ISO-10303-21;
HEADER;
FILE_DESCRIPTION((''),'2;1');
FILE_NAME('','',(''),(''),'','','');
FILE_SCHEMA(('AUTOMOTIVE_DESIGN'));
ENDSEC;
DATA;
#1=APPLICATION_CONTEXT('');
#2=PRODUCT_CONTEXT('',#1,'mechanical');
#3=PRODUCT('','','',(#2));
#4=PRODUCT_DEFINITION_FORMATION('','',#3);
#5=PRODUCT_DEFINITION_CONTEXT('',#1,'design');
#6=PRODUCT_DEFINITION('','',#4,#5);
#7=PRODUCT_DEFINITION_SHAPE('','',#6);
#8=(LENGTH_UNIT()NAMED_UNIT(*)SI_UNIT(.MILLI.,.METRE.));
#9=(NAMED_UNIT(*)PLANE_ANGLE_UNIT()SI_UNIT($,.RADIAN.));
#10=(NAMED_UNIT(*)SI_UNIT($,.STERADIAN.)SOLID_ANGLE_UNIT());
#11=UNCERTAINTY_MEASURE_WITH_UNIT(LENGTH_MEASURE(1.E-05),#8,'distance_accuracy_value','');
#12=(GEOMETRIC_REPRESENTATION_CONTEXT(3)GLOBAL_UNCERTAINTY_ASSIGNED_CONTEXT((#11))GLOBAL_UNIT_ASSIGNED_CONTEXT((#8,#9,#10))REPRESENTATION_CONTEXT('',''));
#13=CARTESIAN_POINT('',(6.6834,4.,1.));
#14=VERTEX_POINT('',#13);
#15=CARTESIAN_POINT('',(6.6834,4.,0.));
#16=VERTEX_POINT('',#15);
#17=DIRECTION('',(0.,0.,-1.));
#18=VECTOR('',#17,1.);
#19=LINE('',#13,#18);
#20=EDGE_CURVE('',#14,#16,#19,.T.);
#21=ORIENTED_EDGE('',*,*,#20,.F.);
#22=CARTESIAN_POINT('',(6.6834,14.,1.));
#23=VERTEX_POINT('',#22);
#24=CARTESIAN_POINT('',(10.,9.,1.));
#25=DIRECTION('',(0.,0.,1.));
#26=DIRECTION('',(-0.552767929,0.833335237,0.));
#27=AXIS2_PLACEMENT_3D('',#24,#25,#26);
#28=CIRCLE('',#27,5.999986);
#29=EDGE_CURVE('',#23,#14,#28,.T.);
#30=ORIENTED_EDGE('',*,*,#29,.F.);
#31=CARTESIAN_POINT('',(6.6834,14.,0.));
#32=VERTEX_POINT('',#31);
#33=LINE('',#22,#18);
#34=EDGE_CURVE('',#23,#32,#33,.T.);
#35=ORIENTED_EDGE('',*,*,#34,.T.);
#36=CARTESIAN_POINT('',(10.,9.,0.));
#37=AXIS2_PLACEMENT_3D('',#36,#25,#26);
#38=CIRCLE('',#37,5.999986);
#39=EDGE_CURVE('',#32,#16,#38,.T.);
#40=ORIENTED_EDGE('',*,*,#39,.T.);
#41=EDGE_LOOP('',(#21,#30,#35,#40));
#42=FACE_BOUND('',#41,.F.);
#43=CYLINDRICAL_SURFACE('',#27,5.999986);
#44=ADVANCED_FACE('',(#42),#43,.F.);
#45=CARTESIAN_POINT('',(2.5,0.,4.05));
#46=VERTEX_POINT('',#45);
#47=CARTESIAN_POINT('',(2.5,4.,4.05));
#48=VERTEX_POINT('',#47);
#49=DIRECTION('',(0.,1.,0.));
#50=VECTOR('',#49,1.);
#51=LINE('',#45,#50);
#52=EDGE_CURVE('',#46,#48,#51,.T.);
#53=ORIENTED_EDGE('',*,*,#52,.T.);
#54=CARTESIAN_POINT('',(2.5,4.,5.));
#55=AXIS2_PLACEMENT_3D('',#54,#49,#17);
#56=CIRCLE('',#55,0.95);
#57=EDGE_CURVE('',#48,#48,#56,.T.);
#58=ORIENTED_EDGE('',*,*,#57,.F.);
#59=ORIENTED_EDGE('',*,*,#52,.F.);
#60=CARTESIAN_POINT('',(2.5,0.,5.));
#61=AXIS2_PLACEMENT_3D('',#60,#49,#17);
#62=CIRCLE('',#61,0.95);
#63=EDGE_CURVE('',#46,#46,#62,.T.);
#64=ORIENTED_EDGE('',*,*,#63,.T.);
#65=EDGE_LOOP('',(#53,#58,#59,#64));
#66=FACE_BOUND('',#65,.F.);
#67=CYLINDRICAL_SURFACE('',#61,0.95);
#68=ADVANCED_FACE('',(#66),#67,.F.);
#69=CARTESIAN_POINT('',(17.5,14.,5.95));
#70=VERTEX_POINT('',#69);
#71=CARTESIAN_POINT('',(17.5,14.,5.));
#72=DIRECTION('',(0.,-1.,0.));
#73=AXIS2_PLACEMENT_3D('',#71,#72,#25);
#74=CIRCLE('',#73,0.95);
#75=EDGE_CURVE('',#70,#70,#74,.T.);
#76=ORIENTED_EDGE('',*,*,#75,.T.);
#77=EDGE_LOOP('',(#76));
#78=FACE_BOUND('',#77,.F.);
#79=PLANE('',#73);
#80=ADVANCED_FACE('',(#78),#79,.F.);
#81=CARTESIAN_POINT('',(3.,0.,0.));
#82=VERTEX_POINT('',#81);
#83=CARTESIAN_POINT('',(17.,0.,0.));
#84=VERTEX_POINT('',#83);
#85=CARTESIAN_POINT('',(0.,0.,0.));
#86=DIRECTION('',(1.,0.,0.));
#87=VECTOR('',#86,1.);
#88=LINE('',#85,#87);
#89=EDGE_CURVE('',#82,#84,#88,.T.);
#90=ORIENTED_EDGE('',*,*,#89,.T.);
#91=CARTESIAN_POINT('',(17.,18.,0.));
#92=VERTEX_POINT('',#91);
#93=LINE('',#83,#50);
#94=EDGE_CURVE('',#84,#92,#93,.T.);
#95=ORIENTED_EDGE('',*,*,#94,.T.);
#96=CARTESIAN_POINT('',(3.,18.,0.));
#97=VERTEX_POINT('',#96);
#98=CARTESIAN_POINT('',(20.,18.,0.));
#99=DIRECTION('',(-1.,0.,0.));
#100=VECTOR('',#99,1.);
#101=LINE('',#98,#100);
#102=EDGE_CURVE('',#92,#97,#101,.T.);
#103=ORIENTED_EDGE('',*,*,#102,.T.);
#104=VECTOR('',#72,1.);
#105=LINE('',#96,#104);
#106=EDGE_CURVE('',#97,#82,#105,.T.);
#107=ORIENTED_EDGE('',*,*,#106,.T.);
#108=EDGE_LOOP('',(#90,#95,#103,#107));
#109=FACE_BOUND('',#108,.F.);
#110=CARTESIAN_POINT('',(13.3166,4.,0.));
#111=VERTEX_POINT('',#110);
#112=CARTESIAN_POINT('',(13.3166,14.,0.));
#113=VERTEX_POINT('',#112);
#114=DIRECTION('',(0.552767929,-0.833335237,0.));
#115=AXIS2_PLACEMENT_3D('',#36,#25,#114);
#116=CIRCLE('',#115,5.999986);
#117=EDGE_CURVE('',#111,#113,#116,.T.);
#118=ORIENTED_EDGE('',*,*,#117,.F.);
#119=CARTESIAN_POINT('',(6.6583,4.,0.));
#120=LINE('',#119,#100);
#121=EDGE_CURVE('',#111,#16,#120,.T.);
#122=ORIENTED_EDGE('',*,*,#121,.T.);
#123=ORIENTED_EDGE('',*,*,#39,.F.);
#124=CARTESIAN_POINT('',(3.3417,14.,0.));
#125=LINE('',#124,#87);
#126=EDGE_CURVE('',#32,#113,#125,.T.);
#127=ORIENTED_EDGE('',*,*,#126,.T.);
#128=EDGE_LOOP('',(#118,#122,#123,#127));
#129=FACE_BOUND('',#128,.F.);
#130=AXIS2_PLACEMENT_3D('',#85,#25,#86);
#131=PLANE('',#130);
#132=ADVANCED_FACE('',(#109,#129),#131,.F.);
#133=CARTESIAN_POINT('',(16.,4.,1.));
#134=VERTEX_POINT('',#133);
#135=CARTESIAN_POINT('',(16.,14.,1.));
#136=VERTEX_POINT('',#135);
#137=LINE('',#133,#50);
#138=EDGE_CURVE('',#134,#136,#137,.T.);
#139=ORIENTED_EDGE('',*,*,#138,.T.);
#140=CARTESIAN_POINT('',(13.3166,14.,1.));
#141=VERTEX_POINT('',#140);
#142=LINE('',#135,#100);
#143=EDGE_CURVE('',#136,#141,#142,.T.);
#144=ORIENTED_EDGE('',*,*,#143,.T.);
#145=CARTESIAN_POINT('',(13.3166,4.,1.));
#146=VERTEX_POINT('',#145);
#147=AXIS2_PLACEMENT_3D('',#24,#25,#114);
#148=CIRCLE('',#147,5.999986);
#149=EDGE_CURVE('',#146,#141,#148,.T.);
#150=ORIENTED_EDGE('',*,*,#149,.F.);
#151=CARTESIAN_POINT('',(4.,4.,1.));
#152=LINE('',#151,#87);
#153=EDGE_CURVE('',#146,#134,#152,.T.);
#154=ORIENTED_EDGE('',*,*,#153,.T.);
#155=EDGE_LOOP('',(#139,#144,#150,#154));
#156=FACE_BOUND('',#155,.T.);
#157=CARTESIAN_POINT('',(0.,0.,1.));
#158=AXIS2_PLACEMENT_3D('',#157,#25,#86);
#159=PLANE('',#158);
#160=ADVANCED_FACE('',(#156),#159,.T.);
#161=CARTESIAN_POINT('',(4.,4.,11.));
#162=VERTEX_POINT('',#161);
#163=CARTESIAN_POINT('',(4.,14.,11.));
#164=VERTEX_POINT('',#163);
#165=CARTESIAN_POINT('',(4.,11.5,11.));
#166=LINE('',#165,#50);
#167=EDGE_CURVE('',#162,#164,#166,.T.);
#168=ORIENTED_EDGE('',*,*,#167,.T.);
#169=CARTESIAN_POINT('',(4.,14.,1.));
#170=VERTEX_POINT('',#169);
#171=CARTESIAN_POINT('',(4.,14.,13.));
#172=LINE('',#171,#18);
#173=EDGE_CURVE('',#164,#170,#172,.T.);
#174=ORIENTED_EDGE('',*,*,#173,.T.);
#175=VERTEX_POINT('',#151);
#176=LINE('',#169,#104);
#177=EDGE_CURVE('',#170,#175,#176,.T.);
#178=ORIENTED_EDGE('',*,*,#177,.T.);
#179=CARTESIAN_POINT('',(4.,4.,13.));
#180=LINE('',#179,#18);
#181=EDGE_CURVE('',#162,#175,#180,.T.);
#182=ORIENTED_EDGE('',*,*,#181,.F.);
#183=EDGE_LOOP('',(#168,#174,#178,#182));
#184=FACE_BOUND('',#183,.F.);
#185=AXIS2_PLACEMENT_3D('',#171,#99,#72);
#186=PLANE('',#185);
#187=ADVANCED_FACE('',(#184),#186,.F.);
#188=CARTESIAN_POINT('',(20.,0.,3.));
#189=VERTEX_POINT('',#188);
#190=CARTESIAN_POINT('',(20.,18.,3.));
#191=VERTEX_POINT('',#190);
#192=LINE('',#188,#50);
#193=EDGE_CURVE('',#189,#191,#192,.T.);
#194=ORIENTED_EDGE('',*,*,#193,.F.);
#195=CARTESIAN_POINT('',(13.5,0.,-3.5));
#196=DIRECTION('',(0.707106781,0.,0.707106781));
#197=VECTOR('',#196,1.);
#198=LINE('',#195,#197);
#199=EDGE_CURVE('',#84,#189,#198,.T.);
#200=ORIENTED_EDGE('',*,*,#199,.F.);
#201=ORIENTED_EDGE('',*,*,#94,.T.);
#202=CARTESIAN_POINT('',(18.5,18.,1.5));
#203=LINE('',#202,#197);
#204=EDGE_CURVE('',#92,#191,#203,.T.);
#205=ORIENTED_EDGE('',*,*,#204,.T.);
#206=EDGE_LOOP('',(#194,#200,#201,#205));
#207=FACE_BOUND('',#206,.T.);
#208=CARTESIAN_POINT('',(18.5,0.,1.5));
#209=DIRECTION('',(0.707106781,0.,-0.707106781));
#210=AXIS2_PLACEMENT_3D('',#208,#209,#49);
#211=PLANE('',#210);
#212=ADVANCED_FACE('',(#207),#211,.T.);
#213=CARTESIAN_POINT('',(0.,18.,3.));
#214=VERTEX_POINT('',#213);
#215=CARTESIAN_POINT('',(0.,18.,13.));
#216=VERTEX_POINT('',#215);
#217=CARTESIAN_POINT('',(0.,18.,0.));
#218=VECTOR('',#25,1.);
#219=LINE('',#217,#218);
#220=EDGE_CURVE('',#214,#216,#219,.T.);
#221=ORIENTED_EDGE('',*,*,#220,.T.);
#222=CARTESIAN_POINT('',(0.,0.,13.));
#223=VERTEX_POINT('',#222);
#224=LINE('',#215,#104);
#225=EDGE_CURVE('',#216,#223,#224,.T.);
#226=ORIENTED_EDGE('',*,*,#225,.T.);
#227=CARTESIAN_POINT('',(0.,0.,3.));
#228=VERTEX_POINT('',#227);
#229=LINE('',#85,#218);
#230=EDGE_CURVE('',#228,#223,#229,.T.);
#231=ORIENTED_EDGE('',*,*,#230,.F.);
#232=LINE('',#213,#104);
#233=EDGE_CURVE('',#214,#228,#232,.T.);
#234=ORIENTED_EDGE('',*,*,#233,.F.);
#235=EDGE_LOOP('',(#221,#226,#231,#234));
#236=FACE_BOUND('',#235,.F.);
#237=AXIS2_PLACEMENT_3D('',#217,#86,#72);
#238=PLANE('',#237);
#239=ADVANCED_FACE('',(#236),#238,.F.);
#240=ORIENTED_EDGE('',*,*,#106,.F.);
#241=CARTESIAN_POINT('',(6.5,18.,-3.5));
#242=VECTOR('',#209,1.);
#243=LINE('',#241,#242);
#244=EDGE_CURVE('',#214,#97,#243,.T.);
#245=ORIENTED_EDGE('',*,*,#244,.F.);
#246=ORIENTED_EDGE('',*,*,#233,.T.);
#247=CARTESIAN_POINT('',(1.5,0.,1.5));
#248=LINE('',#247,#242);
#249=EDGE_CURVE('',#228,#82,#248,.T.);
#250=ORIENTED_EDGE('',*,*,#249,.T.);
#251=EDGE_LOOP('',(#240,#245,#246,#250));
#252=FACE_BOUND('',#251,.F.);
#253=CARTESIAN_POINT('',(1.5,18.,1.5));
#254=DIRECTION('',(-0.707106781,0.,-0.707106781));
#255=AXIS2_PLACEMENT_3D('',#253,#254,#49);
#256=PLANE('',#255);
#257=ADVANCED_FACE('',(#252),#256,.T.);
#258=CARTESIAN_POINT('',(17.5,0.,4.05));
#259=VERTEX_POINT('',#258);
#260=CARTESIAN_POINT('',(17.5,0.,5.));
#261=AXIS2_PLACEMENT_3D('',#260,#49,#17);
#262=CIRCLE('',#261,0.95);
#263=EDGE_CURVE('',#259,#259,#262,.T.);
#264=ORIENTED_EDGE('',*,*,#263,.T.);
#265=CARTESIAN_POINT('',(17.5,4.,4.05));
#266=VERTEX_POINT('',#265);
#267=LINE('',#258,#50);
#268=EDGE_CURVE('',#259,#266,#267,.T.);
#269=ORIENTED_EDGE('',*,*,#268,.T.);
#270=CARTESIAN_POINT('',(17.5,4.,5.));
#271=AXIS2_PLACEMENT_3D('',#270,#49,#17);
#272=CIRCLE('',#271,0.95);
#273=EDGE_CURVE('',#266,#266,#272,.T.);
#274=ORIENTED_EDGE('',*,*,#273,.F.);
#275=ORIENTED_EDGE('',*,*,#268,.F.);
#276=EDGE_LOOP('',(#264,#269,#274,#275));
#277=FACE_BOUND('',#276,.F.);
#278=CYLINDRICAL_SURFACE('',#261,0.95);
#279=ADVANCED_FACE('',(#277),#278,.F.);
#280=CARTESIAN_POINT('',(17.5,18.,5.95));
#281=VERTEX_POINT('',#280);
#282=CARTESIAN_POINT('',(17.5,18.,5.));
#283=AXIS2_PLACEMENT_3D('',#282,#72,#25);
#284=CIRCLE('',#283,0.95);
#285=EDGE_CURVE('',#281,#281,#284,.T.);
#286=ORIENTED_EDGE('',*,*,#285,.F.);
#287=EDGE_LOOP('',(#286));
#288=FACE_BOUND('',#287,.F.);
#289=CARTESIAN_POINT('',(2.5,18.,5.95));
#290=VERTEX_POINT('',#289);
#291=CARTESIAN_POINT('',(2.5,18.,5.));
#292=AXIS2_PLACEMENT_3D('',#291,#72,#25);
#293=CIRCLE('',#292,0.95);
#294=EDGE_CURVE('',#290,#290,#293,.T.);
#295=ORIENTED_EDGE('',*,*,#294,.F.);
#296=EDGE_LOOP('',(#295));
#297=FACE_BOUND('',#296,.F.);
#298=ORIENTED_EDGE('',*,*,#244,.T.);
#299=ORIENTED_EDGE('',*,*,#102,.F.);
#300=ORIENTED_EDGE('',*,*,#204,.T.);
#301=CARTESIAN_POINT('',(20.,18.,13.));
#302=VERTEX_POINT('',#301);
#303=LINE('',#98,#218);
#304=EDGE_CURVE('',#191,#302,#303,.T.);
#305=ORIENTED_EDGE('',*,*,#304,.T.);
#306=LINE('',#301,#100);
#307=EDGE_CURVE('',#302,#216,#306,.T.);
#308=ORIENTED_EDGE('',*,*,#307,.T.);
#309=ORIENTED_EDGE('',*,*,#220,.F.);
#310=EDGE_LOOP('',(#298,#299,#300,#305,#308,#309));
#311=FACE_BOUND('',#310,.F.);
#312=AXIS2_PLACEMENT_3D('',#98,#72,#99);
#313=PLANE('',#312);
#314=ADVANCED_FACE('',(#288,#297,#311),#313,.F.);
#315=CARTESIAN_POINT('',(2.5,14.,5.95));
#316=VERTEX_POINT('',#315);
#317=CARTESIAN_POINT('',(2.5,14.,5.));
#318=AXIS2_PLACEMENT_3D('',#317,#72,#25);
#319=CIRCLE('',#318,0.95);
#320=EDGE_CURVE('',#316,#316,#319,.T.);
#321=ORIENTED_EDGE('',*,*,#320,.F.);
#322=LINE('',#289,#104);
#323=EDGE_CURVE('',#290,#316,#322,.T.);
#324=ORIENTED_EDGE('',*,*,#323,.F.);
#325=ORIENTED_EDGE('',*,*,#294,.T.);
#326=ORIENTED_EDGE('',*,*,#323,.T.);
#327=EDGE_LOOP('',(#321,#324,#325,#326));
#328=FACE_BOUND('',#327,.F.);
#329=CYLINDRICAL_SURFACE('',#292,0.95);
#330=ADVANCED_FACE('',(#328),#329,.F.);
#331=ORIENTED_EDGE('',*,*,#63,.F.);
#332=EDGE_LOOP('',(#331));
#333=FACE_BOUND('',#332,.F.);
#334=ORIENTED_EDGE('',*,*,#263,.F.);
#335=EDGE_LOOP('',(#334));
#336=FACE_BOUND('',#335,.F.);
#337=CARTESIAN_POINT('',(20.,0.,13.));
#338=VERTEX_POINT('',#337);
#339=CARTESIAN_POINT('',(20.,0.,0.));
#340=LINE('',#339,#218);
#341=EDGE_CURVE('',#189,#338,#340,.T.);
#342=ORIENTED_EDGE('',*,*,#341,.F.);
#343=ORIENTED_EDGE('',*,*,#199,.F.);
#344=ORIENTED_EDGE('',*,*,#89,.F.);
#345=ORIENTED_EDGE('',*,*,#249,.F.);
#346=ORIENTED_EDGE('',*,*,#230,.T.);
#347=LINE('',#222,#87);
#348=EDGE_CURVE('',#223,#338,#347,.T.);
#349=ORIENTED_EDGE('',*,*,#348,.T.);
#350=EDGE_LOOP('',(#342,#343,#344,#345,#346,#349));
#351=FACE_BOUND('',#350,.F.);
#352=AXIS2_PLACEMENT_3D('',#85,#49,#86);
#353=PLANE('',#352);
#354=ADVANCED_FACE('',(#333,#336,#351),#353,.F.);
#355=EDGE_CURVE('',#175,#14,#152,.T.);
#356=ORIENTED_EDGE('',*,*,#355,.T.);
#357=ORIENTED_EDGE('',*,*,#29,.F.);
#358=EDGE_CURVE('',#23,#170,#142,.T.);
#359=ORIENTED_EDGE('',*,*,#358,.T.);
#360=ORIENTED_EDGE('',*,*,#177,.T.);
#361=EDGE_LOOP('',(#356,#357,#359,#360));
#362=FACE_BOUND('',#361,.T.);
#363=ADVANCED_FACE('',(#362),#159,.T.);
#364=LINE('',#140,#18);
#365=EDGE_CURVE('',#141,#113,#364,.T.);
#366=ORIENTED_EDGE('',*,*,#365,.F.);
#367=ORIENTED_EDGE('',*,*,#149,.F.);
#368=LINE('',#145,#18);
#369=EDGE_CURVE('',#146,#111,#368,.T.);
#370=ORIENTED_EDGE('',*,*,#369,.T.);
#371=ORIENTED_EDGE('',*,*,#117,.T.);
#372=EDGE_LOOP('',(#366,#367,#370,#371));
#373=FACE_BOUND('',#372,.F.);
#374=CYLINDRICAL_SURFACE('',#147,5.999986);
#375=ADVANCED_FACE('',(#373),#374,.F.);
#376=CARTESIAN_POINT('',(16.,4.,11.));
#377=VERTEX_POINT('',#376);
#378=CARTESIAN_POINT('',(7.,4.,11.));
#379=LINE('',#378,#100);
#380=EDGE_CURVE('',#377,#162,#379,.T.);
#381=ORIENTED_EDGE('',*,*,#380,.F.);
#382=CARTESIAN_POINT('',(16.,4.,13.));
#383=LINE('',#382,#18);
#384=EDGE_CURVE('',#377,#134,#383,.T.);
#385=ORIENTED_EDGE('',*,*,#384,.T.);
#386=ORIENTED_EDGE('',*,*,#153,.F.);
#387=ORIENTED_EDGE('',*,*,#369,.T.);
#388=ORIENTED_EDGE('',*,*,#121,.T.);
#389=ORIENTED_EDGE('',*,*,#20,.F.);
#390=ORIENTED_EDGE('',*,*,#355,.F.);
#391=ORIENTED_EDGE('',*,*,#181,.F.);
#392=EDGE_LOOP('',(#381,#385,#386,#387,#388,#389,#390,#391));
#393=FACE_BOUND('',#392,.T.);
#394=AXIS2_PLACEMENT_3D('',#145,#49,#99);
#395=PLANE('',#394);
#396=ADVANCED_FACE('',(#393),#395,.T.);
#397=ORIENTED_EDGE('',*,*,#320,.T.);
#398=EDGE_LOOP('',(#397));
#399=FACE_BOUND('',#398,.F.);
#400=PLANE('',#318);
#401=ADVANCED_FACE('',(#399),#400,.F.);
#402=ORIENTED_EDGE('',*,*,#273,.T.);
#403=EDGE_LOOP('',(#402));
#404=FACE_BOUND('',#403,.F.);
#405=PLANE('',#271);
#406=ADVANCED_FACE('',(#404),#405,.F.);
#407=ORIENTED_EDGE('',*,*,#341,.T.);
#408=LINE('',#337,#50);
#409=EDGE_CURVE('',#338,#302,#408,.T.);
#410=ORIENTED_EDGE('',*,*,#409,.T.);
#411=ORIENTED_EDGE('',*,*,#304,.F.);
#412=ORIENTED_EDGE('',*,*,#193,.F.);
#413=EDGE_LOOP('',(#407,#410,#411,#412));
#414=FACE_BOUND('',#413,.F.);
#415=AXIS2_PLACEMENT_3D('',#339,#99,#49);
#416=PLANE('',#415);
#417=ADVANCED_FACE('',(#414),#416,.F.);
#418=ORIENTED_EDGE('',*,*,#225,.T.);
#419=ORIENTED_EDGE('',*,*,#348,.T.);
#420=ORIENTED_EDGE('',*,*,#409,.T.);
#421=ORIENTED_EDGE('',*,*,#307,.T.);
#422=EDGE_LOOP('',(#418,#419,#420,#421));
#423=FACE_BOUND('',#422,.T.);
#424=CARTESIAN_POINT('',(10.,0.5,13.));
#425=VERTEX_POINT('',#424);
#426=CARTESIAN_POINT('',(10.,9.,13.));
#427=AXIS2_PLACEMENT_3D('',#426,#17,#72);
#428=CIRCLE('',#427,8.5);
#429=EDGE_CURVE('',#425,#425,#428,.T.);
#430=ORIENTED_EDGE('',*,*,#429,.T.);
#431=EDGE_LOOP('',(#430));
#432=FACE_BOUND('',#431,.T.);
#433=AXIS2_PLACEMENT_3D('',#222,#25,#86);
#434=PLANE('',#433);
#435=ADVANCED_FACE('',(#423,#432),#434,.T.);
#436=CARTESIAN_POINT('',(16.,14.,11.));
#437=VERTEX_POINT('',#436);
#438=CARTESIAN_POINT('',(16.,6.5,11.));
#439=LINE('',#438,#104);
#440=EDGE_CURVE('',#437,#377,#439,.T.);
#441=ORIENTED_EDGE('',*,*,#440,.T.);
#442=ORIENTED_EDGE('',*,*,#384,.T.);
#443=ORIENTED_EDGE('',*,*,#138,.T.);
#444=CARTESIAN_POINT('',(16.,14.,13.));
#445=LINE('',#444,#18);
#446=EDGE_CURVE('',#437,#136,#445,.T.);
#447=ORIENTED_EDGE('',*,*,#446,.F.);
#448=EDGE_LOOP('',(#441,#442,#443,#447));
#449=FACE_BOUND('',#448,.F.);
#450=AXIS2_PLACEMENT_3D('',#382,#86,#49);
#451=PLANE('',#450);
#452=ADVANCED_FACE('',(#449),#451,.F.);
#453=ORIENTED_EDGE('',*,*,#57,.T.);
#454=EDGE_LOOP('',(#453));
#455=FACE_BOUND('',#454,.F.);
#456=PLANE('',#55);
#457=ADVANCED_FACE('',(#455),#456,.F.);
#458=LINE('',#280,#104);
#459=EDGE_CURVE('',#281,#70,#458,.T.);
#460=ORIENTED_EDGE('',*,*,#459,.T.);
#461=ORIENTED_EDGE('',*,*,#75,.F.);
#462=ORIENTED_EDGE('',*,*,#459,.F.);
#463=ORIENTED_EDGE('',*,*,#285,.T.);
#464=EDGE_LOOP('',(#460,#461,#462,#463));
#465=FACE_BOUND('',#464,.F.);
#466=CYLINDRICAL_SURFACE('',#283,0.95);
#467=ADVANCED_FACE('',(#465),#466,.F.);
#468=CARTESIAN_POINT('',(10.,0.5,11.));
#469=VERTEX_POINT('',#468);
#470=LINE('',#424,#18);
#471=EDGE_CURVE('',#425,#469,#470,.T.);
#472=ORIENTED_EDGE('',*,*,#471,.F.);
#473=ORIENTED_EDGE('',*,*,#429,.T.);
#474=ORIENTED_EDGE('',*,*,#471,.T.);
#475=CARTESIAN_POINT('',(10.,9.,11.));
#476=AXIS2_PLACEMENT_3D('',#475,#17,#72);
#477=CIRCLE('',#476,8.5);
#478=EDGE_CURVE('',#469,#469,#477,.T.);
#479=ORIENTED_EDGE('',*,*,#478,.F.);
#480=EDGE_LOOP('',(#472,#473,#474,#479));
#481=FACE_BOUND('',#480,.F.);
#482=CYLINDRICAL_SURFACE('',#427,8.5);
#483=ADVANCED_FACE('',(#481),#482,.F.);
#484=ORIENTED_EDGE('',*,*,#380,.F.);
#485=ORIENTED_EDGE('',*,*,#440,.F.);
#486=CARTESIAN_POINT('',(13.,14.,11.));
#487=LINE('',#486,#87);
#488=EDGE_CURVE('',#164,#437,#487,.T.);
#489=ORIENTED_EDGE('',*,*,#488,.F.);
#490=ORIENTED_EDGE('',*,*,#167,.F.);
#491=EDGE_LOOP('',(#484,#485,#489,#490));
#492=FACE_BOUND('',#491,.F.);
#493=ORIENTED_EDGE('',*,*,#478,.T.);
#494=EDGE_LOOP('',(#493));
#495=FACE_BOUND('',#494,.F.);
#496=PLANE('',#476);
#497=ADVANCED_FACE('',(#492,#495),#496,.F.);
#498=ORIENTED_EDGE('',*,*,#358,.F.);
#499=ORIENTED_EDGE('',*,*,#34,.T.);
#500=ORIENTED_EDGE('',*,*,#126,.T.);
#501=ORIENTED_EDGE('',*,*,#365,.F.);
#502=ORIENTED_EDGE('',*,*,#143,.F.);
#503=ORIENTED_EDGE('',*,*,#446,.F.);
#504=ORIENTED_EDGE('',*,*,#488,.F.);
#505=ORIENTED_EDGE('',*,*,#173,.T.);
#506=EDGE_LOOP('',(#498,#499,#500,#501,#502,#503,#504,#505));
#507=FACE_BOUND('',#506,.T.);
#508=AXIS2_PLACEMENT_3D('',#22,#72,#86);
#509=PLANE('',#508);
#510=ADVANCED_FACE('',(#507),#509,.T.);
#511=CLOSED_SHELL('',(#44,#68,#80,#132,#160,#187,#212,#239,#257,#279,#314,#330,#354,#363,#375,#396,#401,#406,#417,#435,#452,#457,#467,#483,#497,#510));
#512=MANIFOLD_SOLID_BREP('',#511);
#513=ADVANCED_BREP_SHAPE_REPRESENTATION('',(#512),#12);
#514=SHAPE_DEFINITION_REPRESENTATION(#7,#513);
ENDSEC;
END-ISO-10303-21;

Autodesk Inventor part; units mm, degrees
ref_plane "YZ Plane" through (0, 0, 0) normal (1, 0, 0) x (0, 1, 0)
ref_plane "XZ Plane" through (0, 0, 0) normal (0, 1, 0) x (-1, 0, 0)
ref_plane "XY Plane" through (0, 0, 0) normal (0, 0, 1) x (1, 0, 0)
sketch "Sketch1" plane through (0, 0, 0) normal (0, 0, 1) x (1, 0, 0)
  line L0 (0, 0) -> (20, 0)
  line L1 (20, 0) -> (20, 18)
  line L2 (20, 18) -> (0, 18)
  line L3 (0, 18) -> (0, 0)
  dimension "d0" = 20
  dimension "d1" = 18
extrude "body" add sketch "Sketch1" along normal blind 13
sketch "Sketch2" plane through (0, 18, 0) normal (0, 1, 0) x (1, 0, 0)
  line L0 (20, 0) -> (0, 0) projected
  point P0 (2.5, -5)
  point P1 (17.5, -5)
  dimension "d4" = 2.5
  dimension "d5" = 2.5
  dimension "d6" = 5
  dimension "d7" = 5
hole "top mount" at (2.5, 18, 5) at (17.5, 18, 5) direction (0, -1, 0) diameter 1.9 depth 4
sketch "Sketch3" plane through (0, 0, 0) normal (0, -1, 0) x (1, 0, 0)
  line L0 (0, 0) -> (20, 0) projected
  point P0 (17.5, 5)
  point P1 (2.5, 5)
  dimension "d15" = 5
  dimension "d16" = 5
  dimension "d17" = 2.5
  dimension "d18" = 2.5
hole "bottom mount" at (17.5, 0, 5) at (2.5, 0, 5) direction (0, 1, 0) diameter 1.9 depth 4
sketch "Sketch4" plane through (0, 0, 13) normal (0, 0, 1) x (1, 0, 0)
  point P0 (0, 0)
  point P1 (0, 18)
  point P2 (10, 9)
  dimension "d26" = 10
  dimension "d27" = 9
hole "spool" at (10, 9, 13) direction (0, 0, -1) diameter 17 depth 2
sketch "Sketch5" plane through (0, 0, 13) normal (0, 0, 1) x (1, 0, 0)
  line L0 (4, 4) -> (16, 4)
  line L1 (16, 4) -> (16, 14)
  line L2 (16, 14) -> (4, 14)
  line L3 (4, 14) -> (4, 4)
  line L4 (4, 4) -> (16, 14) construction
  line L5 (16, 4) -> (4, 14) construction
  point P0 (0, 0)
  point P1 (10, 9)
  dimension "d35" = 12
  dimension "d36" = 10
extrude "gearbox pocket" cut sketch "Sketch5" against normal blind 12
sketch "Sketch6" plane through (0, 0, 1) normal (0, 0, 1) x (1, 0, 0)
  line L0 (13.3166, 4) -> (6.6834, 4)
  line L1 (6.6834, 4) -> (6.6834, 14)
  line L2 (6.6834, 14) -> (13.3166, 14)
  line L3 (13.3166, 14) -> (13.3166, 4)
  line L4 (13.3166, 4) -> (6.6834, 14) construction
  line L5 (6.6834, 4) -> (13.3166, 14) construction
  arc A0 (13.3166, 4) -> (13.3166, 14) centre (10, 9) ccw
  arc A1 (6.6834, 4) -> (13.3166, 4) centre (10, 9) ccw construction
  arc A2 (13.3166, 14) -> (6.6834, 14) centre (10, 9) ccw construction
  arc A3 (6.6834, 14) -> (6.6834, 4) centre (10, 9) ccw
  dimension "d46" = 12
  dimension "d47" = 10
extrude "Extrusion3" cut sketch "Sketch6" against normal through all
chamfer "Chamfer1" distance 3 angle 45 2 edges at (0, 9, 0) (20, 9, 0)
properties part number "drive R"
